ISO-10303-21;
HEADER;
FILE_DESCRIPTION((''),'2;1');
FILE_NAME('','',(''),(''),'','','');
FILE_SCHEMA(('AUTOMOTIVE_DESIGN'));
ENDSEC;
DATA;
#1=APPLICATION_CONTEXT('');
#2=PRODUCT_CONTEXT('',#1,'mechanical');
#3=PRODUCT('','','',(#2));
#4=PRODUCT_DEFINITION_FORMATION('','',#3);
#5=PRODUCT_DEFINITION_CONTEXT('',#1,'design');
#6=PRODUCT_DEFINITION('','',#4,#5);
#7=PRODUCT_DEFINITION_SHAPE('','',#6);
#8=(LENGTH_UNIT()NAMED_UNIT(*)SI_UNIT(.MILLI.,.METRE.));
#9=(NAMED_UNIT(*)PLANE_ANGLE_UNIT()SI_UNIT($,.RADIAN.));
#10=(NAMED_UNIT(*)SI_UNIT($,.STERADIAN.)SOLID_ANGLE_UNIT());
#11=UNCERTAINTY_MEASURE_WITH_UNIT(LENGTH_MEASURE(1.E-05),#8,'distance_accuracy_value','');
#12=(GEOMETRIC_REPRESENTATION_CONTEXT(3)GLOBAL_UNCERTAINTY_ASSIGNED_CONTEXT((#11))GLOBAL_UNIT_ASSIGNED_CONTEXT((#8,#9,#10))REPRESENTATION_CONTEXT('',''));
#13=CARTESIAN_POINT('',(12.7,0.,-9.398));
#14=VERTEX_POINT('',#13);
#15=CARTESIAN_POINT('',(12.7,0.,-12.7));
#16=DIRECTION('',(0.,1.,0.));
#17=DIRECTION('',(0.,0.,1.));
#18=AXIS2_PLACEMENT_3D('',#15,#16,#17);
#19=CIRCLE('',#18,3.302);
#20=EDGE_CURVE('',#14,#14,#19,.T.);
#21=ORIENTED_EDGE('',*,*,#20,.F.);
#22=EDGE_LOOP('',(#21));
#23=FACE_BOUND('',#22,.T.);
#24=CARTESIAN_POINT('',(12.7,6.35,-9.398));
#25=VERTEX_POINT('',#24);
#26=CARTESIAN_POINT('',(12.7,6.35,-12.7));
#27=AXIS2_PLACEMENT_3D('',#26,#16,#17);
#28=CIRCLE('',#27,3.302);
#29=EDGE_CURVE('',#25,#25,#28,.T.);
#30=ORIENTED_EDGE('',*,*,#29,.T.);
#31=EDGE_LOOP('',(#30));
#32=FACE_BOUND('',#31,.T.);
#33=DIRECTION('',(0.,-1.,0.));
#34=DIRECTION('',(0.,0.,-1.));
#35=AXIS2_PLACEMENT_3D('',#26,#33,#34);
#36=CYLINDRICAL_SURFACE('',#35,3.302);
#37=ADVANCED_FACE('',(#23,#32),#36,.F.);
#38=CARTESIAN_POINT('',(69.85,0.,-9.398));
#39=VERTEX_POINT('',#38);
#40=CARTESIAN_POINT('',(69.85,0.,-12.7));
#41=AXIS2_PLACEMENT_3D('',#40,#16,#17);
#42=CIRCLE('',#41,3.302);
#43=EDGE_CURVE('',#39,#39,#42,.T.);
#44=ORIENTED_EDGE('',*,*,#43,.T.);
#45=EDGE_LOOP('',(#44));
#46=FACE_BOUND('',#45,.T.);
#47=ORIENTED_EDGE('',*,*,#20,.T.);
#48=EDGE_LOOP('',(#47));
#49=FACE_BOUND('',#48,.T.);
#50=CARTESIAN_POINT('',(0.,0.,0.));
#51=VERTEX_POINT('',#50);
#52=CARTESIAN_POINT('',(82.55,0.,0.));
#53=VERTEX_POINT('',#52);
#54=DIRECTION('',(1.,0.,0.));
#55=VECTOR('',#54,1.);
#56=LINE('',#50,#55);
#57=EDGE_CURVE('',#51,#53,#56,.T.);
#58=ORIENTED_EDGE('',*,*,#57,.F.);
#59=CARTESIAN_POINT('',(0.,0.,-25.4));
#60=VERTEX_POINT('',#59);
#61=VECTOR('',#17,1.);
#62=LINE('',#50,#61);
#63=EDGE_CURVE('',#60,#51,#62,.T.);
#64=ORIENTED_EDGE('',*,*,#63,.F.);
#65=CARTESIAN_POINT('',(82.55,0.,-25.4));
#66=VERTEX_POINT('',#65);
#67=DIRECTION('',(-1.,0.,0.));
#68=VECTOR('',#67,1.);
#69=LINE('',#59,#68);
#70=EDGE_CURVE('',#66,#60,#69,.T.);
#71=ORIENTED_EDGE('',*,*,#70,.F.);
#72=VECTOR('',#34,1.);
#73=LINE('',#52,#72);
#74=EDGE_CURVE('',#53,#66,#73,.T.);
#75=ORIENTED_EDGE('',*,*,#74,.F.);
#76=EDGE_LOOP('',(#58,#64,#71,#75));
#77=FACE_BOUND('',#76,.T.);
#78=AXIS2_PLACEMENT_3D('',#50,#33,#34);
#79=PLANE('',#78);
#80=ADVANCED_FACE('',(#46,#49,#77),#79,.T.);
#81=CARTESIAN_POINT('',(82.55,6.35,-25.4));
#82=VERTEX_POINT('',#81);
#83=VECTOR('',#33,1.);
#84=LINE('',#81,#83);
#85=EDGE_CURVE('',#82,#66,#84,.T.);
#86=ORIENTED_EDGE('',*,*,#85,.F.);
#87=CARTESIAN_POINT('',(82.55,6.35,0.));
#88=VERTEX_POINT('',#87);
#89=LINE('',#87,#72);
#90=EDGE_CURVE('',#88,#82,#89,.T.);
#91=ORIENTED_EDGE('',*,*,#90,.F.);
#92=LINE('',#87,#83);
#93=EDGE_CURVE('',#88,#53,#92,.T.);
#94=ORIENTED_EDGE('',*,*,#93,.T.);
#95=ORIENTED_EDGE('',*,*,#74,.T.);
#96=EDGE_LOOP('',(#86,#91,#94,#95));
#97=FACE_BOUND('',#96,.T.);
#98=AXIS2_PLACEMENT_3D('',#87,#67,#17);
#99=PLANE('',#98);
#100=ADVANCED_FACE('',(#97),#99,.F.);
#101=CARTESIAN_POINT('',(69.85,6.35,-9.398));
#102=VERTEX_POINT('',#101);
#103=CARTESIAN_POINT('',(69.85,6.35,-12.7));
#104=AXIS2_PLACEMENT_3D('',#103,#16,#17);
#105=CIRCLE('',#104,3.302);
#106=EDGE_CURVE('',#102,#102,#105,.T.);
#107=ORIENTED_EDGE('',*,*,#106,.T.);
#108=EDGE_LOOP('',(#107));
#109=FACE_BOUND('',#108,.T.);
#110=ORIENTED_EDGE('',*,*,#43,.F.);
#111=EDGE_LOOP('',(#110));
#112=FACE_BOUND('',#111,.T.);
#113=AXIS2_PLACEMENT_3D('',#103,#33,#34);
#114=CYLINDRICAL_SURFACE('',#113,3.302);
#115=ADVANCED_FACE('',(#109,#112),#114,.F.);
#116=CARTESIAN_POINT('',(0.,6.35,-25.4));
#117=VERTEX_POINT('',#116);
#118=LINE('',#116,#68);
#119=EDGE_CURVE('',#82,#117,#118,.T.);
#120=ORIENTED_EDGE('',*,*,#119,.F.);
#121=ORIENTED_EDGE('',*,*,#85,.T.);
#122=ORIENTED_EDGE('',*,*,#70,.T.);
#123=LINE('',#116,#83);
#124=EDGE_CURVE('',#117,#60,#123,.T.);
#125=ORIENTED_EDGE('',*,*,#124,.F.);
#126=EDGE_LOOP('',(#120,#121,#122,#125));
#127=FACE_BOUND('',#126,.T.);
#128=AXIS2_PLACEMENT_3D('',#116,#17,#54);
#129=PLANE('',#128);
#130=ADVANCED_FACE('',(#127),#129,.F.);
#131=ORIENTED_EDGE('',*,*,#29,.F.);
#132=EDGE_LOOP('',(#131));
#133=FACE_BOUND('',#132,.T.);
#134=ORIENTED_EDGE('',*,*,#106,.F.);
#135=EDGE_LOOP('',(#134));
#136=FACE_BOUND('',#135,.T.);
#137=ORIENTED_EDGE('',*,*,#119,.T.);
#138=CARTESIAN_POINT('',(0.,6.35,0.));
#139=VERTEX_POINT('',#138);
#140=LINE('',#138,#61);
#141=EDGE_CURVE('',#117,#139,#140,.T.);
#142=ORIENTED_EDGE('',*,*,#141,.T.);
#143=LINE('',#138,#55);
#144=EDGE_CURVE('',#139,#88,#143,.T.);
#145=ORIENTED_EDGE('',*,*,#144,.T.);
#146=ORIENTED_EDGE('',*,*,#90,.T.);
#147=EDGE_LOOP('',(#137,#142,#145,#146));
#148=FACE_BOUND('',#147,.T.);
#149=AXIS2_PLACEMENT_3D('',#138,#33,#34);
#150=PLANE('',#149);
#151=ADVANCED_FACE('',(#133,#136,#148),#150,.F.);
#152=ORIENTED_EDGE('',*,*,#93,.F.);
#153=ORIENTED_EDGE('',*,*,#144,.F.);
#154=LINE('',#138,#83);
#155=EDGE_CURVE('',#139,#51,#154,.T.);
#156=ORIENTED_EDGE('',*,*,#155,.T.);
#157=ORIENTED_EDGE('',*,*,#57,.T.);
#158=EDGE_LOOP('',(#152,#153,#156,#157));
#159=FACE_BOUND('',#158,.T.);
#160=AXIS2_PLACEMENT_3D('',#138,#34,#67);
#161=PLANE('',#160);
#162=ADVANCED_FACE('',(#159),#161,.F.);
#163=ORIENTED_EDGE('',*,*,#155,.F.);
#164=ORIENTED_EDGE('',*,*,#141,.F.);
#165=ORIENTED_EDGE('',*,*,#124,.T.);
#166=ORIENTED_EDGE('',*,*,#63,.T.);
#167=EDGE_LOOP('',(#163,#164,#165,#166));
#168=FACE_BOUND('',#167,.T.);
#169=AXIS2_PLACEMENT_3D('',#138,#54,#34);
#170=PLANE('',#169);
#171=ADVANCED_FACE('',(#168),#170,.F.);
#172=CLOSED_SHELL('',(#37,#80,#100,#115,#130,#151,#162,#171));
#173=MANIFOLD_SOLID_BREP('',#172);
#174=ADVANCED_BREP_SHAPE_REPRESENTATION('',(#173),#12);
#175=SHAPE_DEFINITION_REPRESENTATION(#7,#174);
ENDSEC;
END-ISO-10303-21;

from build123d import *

# Parameters (mm, degrees)
SKETCH1_W           = 82.55
SKETCH1_H           = 25.4
SKETCH1_R           = 3.302
BOSS_EXTRUDE1_DEPTH = 6.35


with BuildPart() as part:
    # Sketch1 → Boss-Extrude1 (new body)
    with BuildSketch(Plane(origin=(0, 0, 0), x_dir=(1, 0, 0), z_dir=(0, 1, 0))):
        with Locations((41.275, 12.7)):
            Rectangle(SKETCH1_W, SKETCH1_H)
        with Locations((12.7, 12.7)):
            Circle(SKETCH1_R, mode=Mode.SUBTRACT)
        with Locations((69.85, 12.7)):
            Circle(SKETCH1_R, mode=Mode.SUBTRACT)
    extrude(amount=BOSS_EXTRUDE1_DEPTH)


solid = part.part
